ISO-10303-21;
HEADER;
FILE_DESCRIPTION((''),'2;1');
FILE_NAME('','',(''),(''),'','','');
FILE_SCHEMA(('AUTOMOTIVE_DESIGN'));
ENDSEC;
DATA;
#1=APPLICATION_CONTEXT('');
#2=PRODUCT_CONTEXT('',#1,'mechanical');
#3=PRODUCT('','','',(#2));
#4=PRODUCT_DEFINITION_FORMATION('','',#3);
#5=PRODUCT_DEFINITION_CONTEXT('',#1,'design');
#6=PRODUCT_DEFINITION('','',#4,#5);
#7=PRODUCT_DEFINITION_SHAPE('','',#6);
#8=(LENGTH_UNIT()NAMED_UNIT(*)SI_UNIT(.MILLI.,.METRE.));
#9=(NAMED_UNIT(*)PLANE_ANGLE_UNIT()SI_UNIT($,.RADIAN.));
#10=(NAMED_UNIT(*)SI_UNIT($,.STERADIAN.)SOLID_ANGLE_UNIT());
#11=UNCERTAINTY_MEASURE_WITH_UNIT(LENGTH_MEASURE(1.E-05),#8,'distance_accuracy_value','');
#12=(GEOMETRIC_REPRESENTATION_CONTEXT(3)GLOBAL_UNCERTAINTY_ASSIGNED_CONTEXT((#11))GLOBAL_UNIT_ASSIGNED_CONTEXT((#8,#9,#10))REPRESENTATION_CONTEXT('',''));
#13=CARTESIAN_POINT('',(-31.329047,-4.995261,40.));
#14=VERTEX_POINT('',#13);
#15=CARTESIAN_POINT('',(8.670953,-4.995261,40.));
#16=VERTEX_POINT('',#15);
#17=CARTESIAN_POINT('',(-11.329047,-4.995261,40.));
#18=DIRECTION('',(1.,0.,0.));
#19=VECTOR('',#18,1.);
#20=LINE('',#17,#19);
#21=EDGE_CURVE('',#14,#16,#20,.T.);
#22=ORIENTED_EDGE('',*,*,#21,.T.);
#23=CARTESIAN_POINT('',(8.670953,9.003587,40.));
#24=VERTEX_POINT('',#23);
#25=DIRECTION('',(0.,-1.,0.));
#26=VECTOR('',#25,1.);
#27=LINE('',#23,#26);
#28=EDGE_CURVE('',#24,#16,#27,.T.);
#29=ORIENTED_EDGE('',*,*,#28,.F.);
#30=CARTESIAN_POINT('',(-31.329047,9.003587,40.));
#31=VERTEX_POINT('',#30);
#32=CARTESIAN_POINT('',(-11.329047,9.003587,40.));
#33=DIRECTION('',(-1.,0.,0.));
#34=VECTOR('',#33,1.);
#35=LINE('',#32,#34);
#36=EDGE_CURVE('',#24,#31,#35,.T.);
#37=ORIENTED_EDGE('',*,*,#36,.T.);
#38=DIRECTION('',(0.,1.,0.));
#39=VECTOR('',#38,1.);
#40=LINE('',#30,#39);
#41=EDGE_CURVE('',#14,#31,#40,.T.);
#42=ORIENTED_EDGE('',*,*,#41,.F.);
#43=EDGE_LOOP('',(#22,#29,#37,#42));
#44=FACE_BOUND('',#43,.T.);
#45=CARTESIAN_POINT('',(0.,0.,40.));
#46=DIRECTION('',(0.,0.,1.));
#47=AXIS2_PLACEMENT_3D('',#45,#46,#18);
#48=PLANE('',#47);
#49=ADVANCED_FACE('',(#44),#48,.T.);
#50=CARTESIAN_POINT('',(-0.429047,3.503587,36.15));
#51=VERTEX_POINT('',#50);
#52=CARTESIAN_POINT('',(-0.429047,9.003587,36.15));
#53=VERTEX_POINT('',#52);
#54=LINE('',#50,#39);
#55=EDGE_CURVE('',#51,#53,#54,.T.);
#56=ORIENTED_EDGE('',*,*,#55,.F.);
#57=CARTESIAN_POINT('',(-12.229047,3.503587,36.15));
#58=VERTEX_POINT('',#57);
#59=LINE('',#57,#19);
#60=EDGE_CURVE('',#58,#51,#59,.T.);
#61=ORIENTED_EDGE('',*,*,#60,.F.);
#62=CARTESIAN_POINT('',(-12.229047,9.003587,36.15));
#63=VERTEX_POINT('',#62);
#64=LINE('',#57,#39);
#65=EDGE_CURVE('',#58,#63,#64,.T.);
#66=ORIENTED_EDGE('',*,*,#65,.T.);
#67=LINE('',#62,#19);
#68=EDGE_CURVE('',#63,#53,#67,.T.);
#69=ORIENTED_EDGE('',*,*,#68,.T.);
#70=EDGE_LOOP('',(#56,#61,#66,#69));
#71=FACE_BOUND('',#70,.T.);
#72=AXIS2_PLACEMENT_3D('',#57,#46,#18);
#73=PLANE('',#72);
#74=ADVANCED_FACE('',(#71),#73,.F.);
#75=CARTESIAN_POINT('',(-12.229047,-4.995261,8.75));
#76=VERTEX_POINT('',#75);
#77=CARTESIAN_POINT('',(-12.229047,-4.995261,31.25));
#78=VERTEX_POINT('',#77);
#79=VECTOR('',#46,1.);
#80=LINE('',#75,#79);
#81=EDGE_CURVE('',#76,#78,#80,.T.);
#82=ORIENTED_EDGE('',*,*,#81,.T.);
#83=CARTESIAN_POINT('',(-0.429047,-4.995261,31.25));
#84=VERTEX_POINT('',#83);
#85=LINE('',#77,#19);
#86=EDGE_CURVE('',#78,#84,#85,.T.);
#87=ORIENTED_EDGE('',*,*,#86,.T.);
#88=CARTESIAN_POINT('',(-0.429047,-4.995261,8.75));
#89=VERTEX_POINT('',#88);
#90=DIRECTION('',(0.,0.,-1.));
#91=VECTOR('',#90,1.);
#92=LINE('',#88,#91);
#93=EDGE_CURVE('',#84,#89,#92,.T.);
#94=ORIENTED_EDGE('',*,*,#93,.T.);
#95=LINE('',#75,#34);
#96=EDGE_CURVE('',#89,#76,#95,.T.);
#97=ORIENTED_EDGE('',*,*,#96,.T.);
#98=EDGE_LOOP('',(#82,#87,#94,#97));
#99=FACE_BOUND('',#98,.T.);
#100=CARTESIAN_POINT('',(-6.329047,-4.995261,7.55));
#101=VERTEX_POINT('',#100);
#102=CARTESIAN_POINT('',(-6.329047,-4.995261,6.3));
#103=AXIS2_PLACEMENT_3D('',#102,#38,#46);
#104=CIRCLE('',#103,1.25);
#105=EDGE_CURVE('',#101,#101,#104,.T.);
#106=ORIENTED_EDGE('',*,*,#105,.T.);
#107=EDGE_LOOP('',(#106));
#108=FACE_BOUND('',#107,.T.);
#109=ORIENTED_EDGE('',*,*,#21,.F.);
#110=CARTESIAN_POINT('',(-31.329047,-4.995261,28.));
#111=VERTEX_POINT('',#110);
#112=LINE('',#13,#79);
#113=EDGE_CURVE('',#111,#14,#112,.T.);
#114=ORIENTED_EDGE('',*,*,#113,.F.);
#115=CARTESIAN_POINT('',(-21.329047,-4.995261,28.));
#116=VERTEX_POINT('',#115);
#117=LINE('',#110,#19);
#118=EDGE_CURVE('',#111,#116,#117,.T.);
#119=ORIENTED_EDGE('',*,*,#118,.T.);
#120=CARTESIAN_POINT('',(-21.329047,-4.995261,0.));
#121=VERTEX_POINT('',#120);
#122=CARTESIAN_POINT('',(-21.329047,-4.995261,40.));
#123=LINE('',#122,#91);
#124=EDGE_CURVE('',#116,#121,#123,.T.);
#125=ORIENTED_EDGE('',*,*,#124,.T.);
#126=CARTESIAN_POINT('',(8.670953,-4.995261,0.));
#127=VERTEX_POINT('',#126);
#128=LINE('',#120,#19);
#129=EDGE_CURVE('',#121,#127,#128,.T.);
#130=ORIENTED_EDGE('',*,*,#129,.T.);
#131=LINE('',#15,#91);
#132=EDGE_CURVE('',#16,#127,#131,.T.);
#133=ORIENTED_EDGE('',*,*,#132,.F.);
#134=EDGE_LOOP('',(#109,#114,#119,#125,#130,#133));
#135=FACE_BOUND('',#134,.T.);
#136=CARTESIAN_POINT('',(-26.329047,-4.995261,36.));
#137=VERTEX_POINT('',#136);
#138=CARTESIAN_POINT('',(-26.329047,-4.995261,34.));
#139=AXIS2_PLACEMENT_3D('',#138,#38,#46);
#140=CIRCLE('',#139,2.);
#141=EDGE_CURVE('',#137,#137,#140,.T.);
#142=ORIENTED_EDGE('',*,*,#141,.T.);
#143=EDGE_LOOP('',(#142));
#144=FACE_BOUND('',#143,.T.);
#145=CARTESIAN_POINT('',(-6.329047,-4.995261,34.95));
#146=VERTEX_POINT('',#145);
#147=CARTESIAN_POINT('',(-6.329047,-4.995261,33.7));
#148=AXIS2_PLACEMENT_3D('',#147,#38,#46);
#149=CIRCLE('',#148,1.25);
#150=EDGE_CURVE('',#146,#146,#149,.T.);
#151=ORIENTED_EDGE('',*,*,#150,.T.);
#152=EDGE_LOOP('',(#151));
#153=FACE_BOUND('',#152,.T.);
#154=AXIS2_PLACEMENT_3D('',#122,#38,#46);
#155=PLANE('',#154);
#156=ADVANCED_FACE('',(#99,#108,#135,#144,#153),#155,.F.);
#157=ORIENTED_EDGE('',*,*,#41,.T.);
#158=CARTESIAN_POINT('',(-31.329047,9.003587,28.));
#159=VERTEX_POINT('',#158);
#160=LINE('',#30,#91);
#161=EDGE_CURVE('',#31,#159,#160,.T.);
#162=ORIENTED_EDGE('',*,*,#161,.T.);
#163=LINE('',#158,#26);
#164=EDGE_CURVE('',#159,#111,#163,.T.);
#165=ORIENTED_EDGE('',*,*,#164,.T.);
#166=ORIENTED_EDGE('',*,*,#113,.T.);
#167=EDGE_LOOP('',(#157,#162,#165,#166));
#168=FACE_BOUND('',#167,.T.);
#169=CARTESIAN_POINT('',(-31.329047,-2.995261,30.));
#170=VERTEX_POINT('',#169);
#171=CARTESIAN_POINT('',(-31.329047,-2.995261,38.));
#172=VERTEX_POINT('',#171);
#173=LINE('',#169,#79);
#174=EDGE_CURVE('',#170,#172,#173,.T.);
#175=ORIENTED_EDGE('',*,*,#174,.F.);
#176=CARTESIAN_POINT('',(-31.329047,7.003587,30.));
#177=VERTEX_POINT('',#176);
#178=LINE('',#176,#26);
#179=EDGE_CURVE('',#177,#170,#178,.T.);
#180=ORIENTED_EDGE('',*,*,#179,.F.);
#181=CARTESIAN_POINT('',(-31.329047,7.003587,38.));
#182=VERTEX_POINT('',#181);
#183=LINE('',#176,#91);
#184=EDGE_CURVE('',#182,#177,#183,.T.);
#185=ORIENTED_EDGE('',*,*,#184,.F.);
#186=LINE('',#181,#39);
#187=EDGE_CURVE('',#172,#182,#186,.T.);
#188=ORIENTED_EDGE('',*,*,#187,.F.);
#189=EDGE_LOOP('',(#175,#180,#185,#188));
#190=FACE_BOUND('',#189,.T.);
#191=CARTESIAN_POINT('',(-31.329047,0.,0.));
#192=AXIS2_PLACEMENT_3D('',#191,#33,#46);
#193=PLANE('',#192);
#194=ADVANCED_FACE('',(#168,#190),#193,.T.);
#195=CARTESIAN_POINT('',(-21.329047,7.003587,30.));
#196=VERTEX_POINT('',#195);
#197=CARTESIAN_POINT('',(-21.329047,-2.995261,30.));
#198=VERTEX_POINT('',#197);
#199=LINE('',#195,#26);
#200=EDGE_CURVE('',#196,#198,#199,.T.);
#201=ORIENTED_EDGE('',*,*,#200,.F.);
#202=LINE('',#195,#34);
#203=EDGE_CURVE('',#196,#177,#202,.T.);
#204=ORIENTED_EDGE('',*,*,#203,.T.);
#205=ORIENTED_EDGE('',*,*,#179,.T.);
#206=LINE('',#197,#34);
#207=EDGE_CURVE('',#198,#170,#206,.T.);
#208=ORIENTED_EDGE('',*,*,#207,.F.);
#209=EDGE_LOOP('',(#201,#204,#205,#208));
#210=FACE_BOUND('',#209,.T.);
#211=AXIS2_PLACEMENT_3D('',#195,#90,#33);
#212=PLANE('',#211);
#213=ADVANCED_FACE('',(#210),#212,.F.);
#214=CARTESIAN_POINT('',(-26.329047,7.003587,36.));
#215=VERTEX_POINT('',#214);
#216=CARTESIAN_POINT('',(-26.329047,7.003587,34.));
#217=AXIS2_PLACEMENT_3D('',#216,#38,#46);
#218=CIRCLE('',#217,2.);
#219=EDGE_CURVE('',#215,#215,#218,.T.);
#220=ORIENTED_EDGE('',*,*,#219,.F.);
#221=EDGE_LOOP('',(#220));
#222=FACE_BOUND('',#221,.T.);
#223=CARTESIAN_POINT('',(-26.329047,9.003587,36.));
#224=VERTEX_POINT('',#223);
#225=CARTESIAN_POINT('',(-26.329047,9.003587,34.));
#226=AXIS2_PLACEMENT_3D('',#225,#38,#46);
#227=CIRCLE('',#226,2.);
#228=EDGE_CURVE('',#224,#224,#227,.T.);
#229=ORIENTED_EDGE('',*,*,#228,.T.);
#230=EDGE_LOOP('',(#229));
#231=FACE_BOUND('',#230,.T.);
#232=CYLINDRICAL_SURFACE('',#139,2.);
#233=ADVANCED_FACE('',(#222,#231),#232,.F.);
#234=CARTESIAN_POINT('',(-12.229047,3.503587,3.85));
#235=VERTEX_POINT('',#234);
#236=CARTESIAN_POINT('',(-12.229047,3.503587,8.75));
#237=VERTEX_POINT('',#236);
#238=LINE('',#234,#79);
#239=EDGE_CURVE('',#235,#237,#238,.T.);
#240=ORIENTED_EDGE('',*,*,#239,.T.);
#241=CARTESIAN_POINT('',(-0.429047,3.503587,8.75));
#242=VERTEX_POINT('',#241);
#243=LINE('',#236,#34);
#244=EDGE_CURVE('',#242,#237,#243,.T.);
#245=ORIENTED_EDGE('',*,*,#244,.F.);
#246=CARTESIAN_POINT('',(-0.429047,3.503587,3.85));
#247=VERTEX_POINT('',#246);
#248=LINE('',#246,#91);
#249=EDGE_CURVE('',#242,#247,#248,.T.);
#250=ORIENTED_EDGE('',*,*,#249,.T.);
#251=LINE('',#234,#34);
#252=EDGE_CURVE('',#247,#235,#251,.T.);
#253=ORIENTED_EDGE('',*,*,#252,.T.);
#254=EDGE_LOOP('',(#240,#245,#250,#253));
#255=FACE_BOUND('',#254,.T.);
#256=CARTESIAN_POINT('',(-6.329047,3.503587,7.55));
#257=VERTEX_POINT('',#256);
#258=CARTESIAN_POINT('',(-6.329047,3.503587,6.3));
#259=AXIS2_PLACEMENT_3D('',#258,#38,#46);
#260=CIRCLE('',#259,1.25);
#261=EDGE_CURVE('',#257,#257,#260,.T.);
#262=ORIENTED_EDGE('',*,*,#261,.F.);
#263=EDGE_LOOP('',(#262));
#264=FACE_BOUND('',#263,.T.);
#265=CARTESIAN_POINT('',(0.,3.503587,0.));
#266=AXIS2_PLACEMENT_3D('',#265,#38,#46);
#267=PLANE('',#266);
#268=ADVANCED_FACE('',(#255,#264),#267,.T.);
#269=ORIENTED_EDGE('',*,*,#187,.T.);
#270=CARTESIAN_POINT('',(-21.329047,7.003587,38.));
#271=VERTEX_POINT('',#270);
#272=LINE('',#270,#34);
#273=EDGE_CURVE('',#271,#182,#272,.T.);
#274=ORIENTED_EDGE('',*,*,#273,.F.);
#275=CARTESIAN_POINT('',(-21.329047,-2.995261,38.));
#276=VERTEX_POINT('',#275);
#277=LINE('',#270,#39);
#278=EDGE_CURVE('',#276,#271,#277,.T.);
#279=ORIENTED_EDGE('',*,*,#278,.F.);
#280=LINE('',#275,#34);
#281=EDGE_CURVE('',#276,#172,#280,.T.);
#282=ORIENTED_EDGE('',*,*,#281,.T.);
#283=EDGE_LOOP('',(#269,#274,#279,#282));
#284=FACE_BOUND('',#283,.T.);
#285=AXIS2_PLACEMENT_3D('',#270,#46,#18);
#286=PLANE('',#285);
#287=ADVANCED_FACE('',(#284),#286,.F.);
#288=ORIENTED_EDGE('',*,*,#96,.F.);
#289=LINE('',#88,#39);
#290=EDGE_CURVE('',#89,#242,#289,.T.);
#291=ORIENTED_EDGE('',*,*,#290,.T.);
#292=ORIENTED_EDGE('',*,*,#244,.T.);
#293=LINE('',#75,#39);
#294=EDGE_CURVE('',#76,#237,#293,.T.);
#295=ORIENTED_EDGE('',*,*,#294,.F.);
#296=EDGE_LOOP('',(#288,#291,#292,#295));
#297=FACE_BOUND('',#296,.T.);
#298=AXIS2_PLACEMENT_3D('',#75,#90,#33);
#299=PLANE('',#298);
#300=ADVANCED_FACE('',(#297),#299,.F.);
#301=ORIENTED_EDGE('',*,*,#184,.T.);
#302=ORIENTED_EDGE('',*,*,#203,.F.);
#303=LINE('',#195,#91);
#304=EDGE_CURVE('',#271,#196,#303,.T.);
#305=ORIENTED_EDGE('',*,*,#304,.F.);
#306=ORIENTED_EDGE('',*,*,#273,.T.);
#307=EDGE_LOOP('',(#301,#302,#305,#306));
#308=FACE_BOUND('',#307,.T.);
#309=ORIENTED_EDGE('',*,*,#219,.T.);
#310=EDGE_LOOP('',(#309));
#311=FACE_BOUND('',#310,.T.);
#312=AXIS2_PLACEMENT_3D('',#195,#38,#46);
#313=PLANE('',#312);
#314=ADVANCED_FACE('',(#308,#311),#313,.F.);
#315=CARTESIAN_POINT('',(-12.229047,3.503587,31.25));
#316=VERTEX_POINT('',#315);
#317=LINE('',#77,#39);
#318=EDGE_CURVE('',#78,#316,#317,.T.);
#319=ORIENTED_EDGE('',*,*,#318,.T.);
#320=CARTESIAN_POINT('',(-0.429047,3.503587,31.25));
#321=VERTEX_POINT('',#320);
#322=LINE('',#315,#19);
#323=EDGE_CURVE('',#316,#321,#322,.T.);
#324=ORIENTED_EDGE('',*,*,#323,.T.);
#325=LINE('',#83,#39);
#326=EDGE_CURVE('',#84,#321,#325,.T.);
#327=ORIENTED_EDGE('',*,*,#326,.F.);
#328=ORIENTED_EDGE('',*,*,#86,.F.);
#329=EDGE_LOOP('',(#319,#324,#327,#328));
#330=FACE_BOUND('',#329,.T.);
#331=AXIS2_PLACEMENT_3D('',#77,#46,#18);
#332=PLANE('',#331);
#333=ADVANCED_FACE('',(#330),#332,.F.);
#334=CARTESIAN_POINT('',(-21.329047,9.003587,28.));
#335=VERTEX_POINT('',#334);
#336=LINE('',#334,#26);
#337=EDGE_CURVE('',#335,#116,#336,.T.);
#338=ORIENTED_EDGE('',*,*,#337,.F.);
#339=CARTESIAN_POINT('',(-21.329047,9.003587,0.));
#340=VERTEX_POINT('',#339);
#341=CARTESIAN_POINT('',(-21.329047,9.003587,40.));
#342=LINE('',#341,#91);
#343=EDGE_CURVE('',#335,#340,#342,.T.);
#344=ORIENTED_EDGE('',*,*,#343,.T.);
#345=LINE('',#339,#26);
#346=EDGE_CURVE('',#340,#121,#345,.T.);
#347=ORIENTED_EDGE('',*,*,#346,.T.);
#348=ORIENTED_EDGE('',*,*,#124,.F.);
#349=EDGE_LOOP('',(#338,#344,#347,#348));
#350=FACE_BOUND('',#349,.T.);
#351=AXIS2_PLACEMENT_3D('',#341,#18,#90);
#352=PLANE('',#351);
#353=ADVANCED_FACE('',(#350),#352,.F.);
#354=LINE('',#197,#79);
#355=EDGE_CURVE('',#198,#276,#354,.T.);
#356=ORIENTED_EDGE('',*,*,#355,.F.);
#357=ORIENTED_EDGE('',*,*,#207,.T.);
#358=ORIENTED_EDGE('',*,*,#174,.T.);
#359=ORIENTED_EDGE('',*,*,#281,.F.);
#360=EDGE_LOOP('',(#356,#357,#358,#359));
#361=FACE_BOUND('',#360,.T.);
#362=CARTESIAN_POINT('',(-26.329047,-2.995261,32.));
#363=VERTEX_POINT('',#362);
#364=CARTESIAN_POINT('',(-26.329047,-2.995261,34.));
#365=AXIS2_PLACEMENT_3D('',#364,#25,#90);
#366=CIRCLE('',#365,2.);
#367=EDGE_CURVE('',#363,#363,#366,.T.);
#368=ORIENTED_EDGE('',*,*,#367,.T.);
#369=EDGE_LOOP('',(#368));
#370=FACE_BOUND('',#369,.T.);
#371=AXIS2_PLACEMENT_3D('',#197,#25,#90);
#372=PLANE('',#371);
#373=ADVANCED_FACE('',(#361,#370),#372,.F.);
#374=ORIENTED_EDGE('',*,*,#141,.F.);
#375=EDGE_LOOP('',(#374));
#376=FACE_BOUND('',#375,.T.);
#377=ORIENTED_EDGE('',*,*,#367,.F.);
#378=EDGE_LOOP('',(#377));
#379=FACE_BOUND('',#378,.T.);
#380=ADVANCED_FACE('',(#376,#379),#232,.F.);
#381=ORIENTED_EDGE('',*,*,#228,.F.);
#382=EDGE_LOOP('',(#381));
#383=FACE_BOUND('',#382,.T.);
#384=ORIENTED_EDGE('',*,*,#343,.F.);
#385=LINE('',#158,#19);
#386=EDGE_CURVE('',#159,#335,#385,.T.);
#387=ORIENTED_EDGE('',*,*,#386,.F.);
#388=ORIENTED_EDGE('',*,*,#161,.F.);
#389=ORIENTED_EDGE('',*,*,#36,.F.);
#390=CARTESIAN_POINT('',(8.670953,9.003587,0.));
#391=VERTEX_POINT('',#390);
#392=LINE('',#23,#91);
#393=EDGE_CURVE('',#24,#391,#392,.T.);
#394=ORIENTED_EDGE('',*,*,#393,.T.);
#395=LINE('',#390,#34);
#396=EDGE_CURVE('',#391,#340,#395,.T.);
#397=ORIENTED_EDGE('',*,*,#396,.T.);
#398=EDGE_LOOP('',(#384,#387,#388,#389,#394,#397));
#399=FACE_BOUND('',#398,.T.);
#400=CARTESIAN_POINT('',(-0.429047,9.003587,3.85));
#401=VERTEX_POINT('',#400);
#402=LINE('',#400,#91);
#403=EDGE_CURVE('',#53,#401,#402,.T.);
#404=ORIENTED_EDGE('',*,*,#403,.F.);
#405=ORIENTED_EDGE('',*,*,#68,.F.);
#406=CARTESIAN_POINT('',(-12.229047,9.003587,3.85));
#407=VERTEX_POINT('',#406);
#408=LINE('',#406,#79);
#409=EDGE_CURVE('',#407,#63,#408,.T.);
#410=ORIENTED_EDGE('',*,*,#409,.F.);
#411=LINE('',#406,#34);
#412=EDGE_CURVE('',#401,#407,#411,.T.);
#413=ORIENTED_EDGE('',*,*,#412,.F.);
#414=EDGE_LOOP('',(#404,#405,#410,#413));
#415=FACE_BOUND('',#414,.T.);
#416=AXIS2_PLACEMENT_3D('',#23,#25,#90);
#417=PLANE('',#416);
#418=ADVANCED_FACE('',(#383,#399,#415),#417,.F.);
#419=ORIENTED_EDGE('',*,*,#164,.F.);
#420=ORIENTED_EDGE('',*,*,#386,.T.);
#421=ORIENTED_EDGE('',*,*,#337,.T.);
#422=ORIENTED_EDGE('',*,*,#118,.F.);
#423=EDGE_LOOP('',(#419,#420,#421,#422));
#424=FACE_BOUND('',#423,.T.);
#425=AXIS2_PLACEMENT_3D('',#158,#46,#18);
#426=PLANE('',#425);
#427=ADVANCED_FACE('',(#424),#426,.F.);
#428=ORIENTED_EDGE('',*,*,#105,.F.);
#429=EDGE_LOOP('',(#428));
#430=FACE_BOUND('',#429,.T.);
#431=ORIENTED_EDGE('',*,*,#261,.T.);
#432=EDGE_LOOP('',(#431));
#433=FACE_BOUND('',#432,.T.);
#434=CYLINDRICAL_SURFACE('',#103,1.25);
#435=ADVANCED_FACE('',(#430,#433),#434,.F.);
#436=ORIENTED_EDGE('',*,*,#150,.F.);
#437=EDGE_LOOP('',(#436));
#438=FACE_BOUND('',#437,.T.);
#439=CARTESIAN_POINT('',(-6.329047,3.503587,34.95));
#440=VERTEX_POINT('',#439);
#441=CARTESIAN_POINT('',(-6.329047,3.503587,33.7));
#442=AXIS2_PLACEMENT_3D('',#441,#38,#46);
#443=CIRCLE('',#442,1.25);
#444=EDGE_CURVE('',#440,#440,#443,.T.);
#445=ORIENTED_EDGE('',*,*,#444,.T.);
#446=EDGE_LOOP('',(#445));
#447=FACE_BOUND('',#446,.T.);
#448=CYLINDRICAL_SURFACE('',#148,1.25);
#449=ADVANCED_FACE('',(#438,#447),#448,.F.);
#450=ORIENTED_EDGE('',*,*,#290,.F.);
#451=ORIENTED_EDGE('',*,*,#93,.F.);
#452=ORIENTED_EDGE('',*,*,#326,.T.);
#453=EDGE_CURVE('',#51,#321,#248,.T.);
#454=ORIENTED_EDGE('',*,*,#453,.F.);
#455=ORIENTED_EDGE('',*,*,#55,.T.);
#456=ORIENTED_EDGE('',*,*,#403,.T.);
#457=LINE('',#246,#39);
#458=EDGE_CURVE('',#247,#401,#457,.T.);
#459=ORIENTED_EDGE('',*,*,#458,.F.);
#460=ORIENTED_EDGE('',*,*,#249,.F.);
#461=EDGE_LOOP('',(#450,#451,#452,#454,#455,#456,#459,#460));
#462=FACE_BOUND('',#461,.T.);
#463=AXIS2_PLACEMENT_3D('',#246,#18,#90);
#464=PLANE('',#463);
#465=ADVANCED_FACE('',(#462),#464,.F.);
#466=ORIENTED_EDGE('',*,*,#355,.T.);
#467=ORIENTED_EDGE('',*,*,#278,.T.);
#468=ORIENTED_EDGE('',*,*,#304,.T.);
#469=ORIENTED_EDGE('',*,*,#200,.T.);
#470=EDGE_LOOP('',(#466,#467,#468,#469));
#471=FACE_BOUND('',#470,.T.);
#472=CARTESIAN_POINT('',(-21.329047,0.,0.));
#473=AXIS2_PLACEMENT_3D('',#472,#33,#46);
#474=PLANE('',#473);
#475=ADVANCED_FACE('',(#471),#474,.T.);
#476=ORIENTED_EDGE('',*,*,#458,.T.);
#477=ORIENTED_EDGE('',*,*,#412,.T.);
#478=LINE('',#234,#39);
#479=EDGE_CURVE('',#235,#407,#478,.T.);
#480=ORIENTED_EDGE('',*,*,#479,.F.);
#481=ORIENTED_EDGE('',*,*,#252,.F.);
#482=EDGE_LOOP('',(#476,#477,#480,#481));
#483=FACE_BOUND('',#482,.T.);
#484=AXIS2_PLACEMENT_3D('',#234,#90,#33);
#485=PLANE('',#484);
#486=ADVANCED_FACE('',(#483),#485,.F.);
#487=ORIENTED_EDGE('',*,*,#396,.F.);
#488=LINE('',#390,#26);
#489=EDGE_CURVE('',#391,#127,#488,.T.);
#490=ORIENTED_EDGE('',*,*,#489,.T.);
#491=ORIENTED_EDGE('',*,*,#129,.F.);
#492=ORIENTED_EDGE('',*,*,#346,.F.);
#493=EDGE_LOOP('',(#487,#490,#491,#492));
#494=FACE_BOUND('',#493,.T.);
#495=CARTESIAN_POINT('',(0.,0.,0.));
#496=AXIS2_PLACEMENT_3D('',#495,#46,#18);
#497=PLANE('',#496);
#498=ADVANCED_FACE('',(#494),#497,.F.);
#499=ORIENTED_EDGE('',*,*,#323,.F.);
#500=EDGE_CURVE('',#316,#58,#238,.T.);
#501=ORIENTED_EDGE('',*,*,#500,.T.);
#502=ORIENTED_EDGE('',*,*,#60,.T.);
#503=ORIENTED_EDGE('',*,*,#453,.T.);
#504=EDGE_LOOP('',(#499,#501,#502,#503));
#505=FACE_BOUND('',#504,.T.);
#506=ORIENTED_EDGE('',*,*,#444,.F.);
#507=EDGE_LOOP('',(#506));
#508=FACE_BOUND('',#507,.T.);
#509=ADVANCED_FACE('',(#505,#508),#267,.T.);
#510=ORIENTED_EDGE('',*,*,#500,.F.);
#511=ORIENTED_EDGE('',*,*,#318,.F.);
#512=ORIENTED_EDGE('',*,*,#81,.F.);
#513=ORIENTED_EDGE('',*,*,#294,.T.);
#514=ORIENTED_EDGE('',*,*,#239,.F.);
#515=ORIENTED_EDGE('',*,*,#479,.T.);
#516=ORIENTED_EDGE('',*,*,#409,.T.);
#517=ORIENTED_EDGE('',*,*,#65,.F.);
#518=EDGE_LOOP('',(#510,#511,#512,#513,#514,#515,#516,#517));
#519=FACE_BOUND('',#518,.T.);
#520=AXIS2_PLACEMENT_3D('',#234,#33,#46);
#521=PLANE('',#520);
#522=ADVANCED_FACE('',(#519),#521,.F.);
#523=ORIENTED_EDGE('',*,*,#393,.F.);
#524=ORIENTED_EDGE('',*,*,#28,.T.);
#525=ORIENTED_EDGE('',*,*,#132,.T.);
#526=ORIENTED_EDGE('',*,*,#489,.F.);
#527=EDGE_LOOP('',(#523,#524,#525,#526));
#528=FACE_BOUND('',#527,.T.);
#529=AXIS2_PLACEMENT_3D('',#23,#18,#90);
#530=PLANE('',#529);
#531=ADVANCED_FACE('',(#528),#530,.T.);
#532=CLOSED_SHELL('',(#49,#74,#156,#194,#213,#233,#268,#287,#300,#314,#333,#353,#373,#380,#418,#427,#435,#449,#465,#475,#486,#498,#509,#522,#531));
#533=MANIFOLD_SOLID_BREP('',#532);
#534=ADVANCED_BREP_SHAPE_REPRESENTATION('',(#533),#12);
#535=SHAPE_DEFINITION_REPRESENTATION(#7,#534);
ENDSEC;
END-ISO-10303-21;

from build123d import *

# Parameters (mm, degrees)
BOSS_EXTRUDE1_DEPTH = 40
SKETCH4_W           = 11.8
SKETCH4_H           = 32.3
CUT_EXTRUDE1_DEPTH  = 5.5
SKETCH5_W           = 11.8
SKETCH5_H           = 22.5
CUT_EXTRUDE2_DEPTH  = 9.498848241
SKETCH6_R           = 1.25
CUT_EXTRUDE3_DEPTH  = 9.498848241
SKETCH7_W           = 12
SKETCH7_H           = 13.998848241
BOSS_EXTRUDE3_DEPTH = 10
SKETCH11_W          = 8
SKETCH11_H          = 9.998848241
CUT_EXTRUDE5_DEPTH  = 10
SKETCH12_R          = 2
CUT_EXTRUDE6_DEPTH  = 14.998848241


with BuildPart() as part:
    # Sketch1 → Boss-Extrude1 (new body)
    with BuildSketch(Plane.XY):
        Polygon((8.670952565, 9.003587153), (-11.329047435, 9.003587153), (-21.329047435, 9.003587153), (-21.329047435, -4.995261088), (-11.329047435, -4.995261088), (8.670952565, -4.995261088), align=None)
    extrude(amount=BOSS_EXTRUDE1_DEPTH)

    # Sketch4 → Cut-Extrude1 (cut)
    with BuildSketch(Plane(origin=(0, 9.003587153, 0), x_dir=(1, 0, 0), z_dir=(0, 1, 0))):
        with Locations((-6.329047435, -20)):
            Rectangle(SKETCH4_W, SKETCH4_H)
    extrude(amount=-CUT_EXTRUDE1_DEPTH, mode=Mode.SUBTRACT)

    # Sketch5 → Cut-Extrude2 (cut, through all)
    with BuildSketch(Plane(origin=(0, 3.503587153, 0), x_dir=(1, 0, 0), z_dir=(0, 1, 0))):
        with Locations((-6.329047435, -20)):
            Rectangle(SKETCH5_W, SKETCH5_H)
    extrude(amount=-CUT_EXTRUDE2_DEPTH, mode=Mode.SUBTRACT)

    # Sketch6 → Cut-Extrude3 (cut, through all)
    with BuildSketch(Plane(origin=(0, 3.503587153, 0), x_dir=(1, 0, 0), z_dir=(0, 1, 0))):
        with Locations((-6.329047435, -6.3)):
            Circle(SKETCH6_R)
        with Locations((-6.329047435, -33.7)):
            Circle(SKETCH6_R)
    extrude(amount=-CUT_EXTRUDE3_DEPTH, mode=Mode.SUBTRACT)

    # Sketch7 → Boss-Extrude3 (add)
    with BuildSketch(Plane.ZY.offset(21.329047435)):
        with Locations((34, 2.004163032)):
            Rectangle(SKETCH7_W, SKETCH7_H)
    extrude(amount=BOSS_EXTRUDE3_DEPTH)

    # Sketch11 → Cut-Extrude5 (cut)
    with BuildSketch(Plane.ZY.offset(31.329047435)):
        with Locations((34, 2.004163033)):
            Rectangle(SKETCH11_W, SKETCH11_H)
    extrude(amount=-CUT_EXTRUDE5_DEPTH, mode=Mode.SUBTRACT)

    # Sketch12 → Cut-Extrude6 (cut, through all)
    with BuildSketch(Plane(origin=(0, 9.003587153, 0), x_dir=(1, 0, 0), z_dir=(0, 1, 0))):
        with Locations((-26.329047435, -34)):
            Circle(SKETCH12_R)
    extrude(amount=-CUT_EXTRUDE6_DEPTH, mode=Mode.SUBTRACT)


solid = part.part
